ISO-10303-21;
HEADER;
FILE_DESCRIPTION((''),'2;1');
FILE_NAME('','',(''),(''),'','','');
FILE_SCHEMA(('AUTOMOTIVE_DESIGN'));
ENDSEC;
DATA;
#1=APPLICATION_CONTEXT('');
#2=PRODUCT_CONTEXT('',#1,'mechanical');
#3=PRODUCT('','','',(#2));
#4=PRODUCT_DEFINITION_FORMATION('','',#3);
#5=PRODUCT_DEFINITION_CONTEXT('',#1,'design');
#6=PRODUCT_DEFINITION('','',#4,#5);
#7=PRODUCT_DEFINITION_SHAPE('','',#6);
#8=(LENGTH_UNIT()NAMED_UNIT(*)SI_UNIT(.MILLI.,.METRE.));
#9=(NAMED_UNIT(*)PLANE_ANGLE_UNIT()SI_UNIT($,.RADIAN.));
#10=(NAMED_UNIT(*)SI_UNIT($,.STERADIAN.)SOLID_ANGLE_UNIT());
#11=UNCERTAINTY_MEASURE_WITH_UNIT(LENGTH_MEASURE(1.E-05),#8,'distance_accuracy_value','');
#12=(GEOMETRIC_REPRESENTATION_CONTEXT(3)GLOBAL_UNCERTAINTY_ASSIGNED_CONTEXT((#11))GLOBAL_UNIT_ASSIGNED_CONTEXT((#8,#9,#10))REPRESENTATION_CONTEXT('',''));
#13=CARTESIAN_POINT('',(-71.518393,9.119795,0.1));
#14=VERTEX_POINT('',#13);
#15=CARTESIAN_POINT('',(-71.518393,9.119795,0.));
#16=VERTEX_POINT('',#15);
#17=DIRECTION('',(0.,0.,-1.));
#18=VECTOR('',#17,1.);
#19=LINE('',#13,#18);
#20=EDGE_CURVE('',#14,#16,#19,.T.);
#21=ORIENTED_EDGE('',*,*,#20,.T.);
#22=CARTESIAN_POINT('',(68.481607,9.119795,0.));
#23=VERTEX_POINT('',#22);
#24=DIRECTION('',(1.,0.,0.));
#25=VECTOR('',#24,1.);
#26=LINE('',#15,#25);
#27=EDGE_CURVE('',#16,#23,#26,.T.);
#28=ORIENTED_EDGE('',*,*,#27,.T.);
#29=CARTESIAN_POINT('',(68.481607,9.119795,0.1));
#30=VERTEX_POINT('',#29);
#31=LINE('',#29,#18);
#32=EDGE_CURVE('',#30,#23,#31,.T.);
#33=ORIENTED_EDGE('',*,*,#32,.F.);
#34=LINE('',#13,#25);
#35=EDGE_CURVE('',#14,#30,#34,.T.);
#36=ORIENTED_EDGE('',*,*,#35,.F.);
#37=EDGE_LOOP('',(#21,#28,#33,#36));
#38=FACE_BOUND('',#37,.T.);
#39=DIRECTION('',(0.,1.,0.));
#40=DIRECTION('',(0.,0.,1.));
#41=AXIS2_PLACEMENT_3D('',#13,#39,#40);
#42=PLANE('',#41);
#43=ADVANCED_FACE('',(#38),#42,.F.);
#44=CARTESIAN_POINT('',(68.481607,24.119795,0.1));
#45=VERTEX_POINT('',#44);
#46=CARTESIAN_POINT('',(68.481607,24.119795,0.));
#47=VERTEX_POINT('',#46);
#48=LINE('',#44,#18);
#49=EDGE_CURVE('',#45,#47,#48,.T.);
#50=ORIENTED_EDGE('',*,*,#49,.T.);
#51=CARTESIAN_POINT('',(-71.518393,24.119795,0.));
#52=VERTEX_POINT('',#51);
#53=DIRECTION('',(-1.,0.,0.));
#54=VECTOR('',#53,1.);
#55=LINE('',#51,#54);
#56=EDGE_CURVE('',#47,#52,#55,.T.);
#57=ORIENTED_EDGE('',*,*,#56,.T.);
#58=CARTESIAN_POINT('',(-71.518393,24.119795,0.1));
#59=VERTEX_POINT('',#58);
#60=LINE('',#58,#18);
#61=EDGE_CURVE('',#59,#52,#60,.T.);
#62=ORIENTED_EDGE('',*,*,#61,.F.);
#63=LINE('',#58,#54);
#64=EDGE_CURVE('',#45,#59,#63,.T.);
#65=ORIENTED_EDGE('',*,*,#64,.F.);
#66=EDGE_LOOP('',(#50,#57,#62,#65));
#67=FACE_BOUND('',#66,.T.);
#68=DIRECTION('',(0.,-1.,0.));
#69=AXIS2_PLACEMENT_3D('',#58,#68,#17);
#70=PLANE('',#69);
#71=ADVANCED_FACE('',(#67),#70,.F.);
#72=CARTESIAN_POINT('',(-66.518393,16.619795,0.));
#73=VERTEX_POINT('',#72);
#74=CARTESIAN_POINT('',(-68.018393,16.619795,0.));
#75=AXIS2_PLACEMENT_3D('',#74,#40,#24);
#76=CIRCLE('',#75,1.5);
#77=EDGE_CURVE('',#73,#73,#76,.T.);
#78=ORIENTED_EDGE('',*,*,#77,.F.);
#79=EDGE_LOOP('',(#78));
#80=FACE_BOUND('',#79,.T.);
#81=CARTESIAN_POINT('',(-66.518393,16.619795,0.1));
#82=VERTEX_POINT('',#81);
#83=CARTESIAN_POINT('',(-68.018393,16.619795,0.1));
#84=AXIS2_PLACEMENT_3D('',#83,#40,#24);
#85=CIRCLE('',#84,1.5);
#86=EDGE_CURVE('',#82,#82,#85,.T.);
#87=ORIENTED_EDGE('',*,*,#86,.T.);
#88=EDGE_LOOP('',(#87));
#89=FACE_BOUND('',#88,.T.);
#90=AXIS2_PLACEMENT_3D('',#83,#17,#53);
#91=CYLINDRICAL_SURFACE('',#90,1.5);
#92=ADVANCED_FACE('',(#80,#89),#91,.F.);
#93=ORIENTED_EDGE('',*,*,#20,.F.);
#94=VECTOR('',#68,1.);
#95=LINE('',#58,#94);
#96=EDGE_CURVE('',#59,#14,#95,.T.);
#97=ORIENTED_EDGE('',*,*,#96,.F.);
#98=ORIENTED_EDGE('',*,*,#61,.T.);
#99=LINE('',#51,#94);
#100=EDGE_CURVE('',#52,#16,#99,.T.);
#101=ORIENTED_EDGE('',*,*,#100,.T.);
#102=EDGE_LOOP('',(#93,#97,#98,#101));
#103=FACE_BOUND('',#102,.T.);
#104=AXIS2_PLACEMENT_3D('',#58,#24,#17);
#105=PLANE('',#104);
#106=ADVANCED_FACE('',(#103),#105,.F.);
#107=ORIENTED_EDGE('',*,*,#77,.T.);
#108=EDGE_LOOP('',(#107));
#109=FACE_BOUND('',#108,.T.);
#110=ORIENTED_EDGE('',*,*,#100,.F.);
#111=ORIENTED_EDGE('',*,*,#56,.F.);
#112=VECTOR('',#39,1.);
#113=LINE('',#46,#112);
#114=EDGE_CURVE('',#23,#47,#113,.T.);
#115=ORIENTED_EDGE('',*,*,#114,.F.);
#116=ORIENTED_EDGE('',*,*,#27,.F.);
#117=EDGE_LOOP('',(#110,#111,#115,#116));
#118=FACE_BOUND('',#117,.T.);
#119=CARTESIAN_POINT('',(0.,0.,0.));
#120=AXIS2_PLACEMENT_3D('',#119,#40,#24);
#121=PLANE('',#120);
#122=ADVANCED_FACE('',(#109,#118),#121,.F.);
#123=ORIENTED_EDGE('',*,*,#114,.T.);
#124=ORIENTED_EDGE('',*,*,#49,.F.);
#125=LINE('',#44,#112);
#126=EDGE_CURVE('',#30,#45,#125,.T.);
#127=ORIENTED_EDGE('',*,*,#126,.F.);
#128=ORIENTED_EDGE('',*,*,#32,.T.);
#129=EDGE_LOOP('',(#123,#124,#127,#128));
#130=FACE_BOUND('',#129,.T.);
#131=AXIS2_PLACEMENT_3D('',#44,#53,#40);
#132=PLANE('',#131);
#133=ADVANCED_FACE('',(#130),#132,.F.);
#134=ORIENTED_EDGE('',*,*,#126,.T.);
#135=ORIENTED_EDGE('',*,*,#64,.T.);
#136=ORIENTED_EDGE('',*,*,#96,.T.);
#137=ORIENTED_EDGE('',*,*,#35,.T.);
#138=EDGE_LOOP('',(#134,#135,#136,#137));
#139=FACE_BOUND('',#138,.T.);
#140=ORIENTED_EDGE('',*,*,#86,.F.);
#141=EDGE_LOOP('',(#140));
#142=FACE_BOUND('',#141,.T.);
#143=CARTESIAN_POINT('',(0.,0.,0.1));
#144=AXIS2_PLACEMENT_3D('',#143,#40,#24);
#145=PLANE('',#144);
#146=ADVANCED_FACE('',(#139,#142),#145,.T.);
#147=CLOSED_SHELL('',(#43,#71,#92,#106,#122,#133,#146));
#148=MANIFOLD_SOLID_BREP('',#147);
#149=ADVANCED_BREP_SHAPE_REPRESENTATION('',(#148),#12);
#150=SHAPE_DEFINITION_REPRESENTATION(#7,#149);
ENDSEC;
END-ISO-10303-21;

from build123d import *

# Parameters (mm, degrees)
SKETCH1_W           = 140
SKETCH1_H           = 15
SKETCH1_R           = 1.5
BOSS_EXTRUDE2_DEPTH = 0.1


with BuildPart() as part:
    # Sketch1 → Boss-Extrude2 (new body)
    with BuildSketch(Plane.XY):
        with Locations((-1.518392665, 16.619795038)):
            Rectangle(SKETCH1_W, SKETCH1_H)
        with Locations((-68.018392665, 16.619795038)):
            Circle(SKETCH1_R, mode=Mode.SUBTRACT)
    extrude(amount=BOSS_EXTRUDE2_DEPTH)


solid = part.part
